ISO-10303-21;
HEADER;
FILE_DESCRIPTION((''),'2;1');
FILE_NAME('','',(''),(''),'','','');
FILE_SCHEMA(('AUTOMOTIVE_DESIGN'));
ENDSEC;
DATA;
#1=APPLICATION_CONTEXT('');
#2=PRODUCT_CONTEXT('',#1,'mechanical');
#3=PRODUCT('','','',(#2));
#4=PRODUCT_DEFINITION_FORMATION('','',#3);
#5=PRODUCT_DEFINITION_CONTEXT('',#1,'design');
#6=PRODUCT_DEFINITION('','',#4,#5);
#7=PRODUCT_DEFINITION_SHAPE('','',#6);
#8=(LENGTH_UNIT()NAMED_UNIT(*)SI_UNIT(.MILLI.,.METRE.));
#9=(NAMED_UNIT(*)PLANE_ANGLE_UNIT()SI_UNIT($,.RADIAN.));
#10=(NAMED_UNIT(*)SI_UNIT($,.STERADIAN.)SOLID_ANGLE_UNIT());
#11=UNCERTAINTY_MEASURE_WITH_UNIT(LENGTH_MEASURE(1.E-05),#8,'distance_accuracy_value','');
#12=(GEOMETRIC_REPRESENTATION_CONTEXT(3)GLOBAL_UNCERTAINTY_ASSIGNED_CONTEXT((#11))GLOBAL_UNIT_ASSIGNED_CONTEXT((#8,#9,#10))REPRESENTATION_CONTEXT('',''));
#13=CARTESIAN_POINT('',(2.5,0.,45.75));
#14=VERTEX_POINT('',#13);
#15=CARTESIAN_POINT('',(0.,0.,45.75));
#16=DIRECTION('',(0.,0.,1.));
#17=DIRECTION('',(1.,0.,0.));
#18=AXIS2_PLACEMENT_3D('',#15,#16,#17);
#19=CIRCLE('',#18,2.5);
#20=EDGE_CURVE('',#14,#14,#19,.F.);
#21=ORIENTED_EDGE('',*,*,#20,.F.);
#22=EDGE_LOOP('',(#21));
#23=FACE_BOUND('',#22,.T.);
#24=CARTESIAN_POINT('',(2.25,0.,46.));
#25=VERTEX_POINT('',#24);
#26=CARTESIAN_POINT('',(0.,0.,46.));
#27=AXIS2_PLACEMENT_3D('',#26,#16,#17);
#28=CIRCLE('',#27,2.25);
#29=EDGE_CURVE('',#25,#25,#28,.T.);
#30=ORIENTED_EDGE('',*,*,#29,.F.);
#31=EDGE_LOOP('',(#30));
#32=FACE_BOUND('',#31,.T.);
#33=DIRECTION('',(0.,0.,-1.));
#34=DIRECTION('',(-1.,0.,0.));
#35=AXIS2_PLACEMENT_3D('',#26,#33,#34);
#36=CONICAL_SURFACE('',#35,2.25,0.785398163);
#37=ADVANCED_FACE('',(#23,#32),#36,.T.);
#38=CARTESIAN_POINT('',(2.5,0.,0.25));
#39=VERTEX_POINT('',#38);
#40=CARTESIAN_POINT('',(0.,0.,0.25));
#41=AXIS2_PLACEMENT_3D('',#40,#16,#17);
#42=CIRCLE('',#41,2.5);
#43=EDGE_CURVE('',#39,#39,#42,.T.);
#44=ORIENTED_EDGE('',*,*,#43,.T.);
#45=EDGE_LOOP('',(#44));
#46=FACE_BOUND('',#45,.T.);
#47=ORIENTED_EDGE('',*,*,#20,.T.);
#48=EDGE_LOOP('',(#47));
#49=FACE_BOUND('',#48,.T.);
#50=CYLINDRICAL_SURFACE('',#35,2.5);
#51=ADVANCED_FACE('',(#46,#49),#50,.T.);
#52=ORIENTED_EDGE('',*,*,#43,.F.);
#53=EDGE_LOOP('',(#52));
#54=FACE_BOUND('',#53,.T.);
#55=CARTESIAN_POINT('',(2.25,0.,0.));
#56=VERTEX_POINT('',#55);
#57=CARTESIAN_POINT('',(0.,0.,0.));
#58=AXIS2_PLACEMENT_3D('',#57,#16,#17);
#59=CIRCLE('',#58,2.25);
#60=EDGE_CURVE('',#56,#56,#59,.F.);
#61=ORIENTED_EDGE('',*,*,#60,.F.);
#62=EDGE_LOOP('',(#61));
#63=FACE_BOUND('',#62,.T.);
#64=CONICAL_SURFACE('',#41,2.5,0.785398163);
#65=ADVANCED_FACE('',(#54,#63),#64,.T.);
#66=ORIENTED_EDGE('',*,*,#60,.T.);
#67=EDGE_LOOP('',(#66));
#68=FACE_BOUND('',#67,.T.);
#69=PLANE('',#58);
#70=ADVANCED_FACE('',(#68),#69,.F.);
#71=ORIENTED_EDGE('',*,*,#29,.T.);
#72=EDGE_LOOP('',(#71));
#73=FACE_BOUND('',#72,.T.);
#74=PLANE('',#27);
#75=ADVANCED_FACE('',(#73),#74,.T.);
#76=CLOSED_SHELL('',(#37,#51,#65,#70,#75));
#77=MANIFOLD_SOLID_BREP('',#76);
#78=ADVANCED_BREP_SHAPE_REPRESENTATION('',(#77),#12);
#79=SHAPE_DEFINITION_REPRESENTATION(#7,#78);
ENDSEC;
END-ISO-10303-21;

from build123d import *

# Parameters (mm, degrees)
SCHIZZO1_R                   = 2.5
ESTRUSIONE_ESTRUSIONE1_DEPTH = 46
SMUSSO1_SIZE                 = 0.25


with BuildPart() as part:
    # Schizzo1 → Estrusione-Estrusione1 (new body)
    with BuildSketch(Plane.XY):
        Circle(SCHIZZO1_R)
    extrude(amount=ESTRUSIONE_ESTRUSIONE1_DEPTH)

    # Smusso1
    smusso1_edges = [part.edges().sort_by_distance(p)[0] for p in [
        (-2.5, 0, 0),
        (-2.5, 0, 46),
    ]]
    chamfer(smusso1_edges, length=SMUSSO1_SIZE)


solid = part.part
